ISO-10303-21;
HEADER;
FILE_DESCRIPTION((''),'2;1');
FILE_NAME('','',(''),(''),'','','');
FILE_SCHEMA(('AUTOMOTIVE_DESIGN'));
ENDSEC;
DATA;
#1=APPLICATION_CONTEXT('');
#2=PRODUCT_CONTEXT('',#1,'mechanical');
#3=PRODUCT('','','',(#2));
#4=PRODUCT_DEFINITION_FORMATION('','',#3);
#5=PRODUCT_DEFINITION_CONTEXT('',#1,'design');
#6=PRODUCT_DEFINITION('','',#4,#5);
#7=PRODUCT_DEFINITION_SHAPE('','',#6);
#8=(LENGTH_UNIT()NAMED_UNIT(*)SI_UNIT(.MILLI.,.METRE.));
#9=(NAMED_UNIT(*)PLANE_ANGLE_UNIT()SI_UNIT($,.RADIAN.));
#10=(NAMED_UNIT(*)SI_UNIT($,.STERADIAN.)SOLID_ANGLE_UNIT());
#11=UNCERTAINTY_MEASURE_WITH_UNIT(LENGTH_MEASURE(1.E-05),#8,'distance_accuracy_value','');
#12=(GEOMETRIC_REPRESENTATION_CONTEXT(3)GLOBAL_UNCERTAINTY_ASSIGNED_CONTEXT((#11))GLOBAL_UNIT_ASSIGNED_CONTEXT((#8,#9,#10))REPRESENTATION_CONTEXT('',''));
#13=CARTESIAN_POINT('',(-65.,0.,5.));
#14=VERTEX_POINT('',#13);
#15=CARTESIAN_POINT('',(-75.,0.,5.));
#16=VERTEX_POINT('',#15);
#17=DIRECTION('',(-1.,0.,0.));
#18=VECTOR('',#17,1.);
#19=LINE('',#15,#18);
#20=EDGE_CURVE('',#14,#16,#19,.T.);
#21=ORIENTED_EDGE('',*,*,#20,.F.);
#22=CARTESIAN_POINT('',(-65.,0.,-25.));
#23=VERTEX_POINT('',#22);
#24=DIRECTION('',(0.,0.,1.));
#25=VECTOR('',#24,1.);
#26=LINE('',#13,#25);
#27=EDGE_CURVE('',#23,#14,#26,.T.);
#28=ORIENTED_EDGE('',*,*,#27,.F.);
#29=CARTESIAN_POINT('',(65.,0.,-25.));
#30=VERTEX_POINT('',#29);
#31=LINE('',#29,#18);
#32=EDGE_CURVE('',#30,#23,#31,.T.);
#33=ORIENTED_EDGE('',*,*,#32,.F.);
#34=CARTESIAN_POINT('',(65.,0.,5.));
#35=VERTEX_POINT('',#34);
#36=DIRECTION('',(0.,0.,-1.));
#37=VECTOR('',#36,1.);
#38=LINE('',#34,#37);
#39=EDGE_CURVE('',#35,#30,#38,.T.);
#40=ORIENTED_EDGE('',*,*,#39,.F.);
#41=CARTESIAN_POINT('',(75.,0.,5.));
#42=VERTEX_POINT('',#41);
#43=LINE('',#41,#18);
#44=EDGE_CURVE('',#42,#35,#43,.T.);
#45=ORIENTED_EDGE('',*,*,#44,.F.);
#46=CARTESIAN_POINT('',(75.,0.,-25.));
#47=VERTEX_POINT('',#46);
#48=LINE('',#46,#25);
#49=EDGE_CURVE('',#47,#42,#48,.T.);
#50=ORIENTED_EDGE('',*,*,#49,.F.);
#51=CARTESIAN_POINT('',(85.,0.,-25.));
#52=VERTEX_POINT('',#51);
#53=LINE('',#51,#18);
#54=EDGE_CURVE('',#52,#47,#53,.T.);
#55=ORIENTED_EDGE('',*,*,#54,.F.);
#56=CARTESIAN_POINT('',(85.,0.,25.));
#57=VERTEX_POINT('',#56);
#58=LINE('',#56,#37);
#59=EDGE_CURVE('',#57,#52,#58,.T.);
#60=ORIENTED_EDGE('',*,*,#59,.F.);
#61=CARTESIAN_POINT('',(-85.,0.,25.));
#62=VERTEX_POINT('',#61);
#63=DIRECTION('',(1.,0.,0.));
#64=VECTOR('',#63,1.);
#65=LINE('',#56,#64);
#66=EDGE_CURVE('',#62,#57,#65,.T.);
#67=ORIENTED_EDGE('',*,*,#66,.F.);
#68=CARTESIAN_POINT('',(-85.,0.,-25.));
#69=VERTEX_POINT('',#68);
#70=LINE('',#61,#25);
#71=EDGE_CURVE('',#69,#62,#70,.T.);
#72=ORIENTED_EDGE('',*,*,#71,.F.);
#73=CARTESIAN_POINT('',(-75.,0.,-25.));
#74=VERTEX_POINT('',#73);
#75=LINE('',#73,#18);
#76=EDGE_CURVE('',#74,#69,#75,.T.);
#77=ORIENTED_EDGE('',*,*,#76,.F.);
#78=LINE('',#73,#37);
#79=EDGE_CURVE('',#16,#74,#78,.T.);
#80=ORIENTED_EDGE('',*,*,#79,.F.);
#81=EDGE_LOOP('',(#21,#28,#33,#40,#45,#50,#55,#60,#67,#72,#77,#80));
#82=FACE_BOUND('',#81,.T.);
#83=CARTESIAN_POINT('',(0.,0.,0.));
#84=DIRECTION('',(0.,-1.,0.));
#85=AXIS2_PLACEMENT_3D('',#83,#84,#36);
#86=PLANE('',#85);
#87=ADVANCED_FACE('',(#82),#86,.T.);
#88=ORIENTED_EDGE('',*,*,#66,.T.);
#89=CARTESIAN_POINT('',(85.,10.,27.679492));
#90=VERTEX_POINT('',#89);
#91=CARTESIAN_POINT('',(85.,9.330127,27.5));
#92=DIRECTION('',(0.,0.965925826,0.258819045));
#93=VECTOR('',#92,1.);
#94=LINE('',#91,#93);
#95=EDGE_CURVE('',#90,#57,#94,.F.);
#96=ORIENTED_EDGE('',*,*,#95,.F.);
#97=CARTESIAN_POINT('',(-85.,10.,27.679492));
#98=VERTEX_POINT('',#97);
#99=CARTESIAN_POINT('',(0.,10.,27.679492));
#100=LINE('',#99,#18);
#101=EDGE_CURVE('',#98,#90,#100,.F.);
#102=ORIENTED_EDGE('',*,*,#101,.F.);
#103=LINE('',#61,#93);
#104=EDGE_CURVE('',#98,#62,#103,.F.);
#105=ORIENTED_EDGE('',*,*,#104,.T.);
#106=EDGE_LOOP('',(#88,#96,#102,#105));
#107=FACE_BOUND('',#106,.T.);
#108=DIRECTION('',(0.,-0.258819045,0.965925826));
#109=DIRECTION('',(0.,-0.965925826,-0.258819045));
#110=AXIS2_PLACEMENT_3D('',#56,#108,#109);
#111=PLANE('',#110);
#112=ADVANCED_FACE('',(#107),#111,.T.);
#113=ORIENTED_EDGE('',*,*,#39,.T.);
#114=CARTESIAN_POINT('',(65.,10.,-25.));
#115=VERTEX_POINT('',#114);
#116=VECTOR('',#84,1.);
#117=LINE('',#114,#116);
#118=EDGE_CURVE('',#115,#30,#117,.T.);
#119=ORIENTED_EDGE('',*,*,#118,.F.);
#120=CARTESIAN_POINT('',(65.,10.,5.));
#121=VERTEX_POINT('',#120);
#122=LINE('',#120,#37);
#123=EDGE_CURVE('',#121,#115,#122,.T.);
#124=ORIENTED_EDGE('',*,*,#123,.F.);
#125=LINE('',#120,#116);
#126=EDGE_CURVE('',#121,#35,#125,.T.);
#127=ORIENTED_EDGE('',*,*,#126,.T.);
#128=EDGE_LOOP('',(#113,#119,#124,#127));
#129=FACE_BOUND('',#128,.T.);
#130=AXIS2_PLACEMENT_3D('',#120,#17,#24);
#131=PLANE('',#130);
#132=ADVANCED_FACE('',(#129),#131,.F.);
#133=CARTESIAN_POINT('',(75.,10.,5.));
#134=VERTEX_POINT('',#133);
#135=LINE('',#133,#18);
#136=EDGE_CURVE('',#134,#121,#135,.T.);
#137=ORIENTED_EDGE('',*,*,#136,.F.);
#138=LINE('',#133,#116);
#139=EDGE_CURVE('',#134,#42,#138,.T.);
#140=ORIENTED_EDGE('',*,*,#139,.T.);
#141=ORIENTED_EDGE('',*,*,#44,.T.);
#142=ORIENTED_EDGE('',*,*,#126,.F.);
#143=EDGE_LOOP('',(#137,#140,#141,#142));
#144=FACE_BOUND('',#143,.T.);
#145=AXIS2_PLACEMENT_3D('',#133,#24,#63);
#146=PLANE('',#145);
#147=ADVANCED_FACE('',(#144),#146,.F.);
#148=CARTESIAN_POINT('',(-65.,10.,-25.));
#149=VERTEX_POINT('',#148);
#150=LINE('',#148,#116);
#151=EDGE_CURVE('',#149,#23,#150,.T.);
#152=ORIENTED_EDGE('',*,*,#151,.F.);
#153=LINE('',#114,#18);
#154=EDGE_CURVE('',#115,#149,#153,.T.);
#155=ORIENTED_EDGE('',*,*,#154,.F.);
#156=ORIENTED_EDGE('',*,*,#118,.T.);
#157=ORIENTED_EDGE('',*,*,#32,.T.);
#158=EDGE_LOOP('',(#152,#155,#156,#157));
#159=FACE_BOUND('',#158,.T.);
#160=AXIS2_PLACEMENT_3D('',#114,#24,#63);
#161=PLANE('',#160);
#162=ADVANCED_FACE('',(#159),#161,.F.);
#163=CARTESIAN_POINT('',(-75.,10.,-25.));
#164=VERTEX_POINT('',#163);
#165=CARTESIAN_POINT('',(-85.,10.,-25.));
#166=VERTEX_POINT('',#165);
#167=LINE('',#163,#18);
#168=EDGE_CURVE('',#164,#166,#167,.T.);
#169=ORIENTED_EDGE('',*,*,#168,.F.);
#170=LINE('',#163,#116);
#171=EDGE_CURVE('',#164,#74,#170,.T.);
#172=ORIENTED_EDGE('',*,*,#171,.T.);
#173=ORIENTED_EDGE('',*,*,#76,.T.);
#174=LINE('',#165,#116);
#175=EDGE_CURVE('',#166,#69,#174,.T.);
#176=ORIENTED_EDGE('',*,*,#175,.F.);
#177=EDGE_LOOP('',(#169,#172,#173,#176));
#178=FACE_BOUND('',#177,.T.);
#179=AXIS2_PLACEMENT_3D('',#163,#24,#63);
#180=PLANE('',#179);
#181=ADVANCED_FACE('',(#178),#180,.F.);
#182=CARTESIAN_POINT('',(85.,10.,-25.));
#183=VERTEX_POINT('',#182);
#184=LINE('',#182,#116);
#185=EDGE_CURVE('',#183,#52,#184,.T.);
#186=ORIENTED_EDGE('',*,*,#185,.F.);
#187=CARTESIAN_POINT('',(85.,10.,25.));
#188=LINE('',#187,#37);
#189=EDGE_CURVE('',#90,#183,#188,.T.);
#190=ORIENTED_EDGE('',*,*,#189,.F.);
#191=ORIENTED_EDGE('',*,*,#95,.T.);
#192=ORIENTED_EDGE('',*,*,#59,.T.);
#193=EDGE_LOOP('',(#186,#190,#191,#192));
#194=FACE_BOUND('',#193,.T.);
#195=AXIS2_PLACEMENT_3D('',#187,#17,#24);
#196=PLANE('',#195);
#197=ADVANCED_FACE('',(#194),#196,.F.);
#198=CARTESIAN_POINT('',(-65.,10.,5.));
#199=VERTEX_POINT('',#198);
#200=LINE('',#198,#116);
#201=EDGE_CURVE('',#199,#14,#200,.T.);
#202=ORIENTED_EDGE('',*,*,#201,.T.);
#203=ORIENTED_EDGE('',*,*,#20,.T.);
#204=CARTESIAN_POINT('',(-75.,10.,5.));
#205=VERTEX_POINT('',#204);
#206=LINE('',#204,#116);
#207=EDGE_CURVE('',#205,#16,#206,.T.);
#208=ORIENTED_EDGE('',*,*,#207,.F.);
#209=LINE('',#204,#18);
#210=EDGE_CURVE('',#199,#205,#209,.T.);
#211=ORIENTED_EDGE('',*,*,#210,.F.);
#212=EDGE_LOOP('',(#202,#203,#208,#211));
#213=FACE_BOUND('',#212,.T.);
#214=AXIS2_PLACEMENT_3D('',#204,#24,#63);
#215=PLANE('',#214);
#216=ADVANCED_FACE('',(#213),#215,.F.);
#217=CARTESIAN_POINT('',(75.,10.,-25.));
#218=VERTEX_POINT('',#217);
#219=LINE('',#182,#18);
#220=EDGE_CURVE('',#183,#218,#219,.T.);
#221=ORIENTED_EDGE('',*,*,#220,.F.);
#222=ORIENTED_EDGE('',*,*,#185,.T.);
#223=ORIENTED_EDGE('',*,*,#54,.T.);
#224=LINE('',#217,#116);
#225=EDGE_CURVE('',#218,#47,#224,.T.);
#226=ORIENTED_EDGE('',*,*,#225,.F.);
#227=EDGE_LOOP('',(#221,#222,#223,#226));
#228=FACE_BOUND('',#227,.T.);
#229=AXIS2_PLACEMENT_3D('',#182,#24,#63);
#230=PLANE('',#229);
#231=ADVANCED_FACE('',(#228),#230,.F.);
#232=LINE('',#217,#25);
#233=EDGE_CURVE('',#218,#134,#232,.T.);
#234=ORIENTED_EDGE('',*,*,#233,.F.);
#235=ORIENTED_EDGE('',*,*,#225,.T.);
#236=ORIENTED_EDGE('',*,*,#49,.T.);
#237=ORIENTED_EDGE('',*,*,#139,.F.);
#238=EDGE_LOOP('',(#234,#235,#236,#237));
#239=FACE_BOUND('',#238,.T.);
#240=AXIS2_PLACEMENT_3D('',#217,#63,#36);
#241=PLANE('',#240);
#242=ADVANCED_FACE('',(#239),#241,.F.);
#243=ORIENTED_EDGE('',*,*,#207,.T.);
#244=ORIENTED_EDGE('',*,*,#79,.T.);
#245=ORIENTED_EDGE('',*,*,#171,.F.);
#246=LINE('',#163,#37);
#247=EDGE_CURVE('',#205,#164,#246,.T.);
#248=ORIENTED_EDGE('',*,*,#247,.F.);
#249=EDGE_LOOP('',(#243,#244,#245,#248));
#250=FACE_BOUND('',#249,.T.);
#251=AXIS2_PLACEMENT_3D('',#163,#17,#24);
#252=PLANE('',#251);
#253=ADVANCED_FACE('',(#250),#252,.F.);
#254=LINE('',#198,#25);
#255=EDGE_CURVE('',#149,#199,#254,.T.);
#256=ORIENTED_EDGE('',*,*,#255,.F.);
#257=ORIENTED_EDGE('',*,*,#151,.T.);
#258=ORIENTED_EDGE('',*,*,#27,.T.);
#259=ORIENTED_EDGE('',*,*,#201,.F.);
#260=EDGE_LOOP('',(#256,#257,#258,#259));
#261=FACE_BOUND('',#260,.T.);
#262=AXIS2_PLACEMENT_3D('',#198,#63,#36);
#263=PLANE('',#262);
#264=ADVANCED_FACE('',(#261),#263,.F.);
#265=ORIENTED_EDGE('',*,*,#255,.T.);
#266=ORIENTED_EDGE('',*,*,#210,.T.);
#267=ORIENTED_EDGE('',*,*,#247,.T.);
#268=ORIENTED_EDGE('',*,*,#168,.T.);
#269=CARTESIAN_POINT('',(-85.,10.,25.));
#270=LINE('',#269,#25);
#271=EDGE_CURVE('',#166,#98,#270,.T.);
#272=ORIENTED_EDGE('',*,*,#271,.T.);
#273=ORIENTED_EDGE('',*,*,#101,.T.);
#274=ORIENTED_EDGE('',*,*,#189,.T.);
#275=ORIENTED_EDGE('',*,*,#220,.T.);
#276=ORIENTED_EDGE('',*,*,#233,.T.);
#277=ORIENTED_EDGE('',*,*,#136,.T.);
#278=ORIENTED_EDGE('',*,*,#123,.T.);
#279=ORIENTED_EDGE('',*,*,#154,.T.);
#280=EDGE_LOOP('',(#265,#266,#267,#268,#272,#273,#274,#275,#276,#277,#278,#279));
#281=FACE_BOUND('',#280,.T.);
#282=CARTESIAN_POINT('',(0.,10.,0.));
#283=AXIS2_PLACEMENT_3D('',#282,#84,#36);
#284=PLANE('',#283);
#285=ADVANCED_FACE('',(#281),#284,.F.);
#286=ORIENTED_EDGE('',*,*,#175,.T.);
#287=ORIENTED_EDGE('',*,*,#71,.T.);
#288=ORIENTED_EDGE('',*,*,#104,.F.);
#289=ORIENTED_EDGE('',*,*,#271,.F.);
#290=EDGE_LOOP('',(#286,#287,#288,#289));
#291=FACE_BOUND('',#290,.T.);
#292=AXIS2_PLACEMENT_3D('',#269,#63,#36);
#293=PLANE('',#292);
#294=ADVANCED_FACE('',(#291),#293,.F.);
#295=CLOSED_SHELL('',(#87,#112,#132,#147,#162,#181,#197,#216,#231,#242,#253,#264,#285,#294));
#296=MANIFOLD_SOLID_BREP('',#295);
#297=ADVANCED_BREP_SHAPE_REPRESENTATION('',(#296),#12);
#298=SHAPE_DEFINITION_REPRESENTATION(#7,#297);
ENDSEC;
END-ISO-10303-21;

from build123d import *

# Parameters (mm, degrees)
BOSS_EXTRUDE1_DEPTH = 10
DRAFT2_ANGLE        = 15


with BuildPart() as part:
    # Sketch1 → Boss-Extrude1 (new body)
    with BuildSketch(Plane(origin=(0, 0, 0), x_dir=(1, 0, 0), z_dir=(0, 1, 0))):
        Polygon((-75, 25), (-75, -5), (-65, -5), (-65, 25), (65, 25), (65, -5), (75, -5), (75, 25), (85, 25), (85, -25), (-85, -25), (-85, 25), align=None)
    extrude(amount=BOSS_EXTRUDE1_DEPTH)

    # Draft2
    draft2_faces = [part.faces().sort_by_distance(p)[0] for p in [
        (0, 5, 25),
    ]]
    draft(draft2_faces, Plane(origin=(0, 0, 0), x_dir=(0, 0, -1), z_dir=(0, -1, 0)), DRAFT2_ANGLE)


solid = part.part
